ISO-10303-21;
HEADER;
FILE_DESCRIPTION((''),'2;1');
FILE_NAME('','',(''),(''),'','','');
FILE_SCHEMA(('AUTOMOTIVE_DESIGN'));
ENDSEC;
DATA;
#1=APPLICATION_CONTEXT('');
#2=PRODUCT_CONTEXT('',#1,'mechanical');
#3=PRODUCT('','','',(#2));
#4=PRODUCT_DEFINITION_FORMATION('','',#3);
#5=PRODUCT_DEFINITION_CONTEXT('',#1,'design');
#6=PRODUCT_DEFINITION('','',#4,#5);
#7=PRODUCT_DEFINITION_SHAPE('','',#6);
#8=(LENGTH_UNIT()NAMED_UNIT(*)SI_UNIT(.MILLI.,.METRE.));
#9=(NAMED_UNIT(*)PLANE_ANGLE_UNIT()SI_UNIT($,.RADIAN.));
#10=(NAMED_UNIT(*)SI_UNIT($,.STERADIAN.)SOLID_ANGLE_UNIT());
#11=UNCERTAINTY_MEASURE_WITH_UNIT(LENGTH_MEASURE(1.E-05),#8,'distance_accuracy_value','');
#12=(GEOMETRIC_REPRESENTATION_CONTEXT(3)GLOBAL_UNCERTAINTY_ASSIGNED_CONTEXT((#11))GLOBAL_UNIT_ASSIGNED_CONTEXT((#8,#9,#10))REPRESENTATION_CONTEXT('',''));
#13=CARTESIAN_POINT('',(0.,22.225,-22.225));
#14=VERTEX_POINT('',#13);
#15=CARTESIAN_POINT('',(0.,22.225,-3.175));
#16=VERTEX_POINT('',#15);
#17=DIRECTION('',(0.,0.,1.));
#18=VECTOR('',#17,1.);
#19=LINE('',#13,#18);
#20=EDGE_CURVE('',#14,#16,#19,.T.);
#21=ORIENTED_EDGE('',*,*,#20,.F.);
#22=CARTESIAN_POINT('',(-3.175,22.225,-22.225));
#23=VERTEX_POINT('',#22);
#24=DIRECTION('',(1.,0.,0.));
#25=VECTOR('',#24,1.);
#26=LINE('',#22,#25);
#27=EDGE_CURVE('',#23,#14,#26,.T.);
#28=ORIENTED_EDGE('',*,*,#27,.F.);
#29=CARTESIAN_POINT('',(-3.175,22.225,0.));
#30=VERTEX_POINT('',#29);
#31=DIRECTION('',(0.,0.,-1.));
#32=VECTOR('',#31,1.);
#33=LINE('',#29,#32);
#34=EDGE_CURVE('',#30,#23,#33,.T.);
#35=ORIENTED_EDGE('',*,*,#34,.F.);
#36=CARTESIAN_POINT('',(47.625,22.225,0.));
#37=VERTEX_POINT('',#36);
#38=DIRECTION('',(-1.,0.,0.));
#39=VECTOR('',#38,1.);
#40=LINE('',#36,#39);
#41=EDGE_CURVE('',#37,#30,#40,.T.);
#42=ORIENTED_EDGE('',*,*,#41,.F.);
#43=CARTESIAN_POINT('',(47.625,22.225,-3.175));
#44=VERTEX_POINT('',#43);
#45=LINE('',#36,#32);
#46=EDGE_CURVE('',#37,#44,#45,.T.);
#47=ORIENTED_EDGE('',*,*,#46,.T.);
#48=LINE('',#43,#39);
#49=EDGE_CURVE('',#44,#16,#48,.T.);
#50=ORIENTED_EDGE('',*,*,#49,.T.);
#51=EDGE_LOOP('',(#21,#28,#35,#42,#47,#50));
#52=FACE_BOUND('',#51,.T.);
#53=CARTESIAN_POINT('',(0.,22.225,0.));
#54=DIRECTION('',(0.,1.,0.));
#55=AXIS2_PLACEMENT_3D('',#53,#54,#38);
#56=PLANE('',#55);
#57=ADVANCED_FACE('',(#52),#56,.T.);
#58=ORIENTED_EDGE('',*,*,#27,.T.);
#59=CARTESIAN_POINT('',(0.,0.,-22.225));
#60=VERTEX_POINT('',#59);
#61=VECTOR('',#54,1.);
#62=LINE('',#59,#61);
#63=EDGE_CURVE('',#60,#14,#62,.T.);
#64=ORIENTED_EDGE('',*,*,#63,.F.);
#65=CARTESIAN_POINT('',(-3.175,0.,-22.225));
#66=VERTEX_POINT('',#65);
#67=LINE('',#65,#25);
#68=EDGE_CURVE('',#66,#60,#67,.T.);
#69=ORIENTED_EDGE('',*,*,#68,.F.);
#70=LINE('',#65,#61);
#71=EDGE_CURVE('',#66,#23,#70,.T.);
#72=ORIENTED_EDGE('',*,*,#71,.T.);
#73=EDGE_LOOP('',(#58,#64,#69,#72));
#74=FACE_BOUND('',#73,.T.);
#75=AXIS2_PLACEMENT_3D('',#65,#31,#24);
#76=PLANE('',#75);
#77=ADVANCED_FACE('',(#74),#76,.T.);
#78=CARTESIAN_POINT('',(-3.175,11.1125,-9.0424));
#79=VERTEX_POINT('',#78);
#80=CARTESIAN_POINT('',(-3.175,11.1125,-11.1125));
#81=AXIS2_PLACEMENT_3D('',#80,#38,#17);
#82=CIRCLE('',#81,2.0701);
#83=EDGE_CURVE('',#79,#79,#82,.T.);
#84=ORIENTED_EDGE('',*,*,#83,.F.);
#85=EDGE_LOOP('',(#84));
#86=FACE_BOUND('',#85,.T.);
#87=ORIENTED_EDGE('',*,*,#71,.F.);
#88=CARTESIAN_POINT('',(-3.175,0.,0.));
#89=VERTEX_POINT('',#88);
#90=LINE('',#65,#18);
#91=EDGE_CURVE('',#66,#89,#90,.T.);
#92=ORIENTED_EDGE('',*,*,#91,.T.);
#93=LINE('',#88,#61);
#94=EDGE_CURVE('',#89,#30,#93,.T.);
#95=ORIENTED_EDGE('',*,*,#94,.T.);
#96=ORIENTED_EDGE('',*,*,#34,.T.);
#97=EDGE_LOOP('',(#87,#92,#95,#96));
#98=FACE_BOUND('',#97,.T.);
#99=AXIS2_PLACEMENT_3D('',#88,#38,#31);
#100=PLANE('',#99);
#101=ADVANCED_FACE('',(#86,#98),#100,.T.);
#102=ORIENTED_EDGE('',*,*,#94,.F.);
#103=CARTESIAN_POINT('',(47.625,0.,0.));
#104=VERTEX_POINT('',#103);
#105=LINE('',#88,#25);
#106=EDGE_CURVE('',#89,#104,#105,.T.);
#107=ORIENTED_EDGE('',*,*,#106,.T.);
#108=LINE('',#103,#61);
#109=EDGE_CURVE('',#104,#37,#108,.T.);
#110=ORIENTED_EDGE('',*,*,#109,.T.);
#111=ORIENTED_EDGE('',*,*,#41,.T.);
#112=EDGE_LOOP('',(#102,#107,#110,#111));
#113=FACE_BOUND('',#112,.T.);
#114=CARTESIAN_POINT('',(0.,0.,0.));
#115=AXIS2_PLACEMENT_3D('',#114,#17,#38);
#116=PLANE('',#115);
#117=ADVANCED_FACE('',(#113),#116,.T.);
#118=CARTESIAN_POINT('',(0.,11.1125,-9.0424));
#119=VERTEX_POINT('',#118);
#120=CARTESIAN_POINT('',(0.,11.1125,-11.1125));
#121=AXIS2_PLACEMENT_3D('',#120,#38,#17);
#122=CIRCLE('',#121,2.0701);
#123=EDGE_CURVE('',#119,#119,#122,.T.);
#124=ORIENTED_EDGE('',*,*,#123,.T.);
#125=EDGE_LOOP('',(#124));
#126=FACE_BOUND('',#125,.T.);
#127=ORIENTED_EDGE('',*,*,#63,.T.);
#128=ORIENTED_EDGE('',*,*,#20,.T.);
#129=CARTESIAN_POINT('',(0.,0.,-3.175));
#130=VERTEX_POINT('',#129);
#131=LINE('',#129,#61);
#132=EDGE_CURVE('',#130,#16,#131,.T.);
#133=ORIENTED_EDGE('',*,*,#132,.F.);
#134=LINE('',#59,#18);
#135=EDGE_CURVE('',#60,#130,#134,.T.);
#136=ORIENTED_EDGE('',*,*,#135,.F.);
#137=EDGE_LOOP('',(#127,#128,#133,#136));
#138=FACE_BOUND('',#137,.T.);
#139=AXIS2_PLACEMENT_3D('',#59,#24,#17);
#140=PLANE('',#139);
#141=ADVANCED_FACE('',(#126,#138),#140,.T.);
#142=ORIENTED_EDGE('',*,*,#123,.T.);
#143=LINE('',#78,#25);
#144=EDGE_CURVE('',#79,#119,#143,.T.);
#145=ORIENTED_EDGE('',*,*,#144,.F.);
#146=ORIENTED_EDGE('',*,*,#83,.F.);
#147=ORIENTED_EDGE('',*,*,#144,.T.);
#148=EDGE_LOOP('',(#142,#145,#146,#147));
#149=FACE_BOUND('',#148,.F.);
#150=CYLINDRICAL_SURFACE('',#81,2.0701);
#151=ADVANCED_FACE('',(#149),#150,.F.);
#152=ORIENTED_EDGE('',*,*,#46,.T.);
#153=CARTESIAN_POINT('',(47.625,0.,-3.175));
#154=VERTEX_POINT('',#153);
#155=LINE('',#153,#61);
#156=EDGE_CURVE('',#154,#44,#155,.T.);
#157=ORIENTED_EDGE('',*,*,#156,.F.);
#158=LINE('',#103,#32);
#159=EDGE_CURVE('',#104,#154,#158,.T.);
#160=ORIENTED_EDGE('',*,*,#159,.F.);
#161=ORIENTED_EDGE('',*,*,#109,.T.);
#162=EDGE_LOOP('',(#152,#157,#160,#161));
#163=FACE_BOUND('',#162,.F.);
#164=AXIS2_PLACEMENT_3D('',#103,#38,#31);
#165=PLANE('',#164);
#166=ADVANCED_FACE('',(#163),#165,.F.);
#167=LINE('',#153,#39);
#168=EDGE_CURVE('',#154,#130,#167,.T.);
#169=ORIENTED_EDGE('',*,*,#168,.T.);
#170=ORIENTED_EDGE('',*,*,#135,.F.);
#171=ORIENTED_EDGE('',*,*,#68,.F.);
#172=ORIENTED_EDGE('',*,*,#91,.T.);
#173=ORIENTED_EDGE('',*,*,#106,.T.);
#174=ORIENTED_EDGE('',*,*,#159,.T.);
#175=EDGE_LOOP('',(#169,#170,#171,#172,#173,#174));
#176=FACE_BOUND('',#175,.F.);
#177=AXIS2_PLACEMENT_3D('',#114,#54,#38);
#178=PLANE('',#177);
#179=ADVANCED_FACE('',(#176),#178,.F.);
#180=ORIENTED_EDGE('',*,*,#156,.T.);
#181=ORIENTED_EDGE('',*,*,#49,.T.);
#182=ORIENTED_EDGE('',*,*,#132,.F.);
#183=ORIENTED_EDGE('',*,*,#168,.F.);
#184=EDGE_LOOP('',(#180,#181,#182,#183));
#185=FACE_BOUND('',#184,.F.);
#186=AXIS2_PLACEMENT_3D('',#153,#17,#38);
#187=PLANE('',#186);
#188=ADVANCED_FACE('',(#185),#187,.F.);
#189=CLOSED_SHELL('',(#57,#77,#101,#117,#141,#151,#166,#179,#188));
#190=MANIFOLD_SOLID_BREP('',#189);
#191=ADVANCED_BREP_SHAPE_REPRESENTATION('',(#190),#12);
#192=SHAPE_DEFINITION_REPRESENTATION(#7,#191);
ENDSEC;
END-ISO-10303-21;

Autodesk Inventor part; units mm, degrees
ref_plane "YZ Plane" through (0, 0, 0) normal (1, 0, 0) x (0, 1, 0)
ref_plane "XZ Plane" through (0, 0, 0) normal (0, 1, 0) x (-1, 0, 0)
ref_plane "XY Plane" through (0, 0, 0) normal (0, 0, 1) x (1, 0, 0)
sketch "Sketch1" plane through (0, 0, 0) normal (0, 1, 0) x (-1, 0, 0)
  line L0 (0, 0) -> (3.175, 0)
  line L1 (3.175, 0) -> (3.175, -22.225)
  line L2 (3.175, -22.225) -> (0, -22.225)
  line L3 (0, -22.225) -> (0, 0)
  line L4 (3.175, 0) -> (-47.625, 0)
  line L5 (-47.625, 0) -> (-47.625, -3.175)
  line L6 (-47.625, -3.175) -> (3.175, -3.175)
  line L7 (3.175, -3.175) -> (3.175, 0)
  dimension "d0" = 3.175
  dimension "d1" = 22.225
  dimension "d2" = 3.175
  dimension "d3" = 50.8
extrude "Extrusion1" add sketch "Sketch1" along normal blind 22.225
sketch "Sketch2" plane through (-3.175, 0, -22.225) normal (-1, 0, 0) x (0, 0, 1)
  circle A0 centre (11.1125, 11.1125) radius 2.0701
  line L0 (0, 22.225) -> (22.225, 22.225) projected
  line L1 (0, 0) -> (0, 22.225) projected
  point P0 (22.225, 0)
  dimension "d6" = 4.1402
  dimension "d7" = 11.1125
  dimension "d8" = 11.1125
extrude "Extrusion2" cut sketch "Sketch2" against normal blind 25.4
properties part number "AluminumBracket2-ver1-1111-2019"
